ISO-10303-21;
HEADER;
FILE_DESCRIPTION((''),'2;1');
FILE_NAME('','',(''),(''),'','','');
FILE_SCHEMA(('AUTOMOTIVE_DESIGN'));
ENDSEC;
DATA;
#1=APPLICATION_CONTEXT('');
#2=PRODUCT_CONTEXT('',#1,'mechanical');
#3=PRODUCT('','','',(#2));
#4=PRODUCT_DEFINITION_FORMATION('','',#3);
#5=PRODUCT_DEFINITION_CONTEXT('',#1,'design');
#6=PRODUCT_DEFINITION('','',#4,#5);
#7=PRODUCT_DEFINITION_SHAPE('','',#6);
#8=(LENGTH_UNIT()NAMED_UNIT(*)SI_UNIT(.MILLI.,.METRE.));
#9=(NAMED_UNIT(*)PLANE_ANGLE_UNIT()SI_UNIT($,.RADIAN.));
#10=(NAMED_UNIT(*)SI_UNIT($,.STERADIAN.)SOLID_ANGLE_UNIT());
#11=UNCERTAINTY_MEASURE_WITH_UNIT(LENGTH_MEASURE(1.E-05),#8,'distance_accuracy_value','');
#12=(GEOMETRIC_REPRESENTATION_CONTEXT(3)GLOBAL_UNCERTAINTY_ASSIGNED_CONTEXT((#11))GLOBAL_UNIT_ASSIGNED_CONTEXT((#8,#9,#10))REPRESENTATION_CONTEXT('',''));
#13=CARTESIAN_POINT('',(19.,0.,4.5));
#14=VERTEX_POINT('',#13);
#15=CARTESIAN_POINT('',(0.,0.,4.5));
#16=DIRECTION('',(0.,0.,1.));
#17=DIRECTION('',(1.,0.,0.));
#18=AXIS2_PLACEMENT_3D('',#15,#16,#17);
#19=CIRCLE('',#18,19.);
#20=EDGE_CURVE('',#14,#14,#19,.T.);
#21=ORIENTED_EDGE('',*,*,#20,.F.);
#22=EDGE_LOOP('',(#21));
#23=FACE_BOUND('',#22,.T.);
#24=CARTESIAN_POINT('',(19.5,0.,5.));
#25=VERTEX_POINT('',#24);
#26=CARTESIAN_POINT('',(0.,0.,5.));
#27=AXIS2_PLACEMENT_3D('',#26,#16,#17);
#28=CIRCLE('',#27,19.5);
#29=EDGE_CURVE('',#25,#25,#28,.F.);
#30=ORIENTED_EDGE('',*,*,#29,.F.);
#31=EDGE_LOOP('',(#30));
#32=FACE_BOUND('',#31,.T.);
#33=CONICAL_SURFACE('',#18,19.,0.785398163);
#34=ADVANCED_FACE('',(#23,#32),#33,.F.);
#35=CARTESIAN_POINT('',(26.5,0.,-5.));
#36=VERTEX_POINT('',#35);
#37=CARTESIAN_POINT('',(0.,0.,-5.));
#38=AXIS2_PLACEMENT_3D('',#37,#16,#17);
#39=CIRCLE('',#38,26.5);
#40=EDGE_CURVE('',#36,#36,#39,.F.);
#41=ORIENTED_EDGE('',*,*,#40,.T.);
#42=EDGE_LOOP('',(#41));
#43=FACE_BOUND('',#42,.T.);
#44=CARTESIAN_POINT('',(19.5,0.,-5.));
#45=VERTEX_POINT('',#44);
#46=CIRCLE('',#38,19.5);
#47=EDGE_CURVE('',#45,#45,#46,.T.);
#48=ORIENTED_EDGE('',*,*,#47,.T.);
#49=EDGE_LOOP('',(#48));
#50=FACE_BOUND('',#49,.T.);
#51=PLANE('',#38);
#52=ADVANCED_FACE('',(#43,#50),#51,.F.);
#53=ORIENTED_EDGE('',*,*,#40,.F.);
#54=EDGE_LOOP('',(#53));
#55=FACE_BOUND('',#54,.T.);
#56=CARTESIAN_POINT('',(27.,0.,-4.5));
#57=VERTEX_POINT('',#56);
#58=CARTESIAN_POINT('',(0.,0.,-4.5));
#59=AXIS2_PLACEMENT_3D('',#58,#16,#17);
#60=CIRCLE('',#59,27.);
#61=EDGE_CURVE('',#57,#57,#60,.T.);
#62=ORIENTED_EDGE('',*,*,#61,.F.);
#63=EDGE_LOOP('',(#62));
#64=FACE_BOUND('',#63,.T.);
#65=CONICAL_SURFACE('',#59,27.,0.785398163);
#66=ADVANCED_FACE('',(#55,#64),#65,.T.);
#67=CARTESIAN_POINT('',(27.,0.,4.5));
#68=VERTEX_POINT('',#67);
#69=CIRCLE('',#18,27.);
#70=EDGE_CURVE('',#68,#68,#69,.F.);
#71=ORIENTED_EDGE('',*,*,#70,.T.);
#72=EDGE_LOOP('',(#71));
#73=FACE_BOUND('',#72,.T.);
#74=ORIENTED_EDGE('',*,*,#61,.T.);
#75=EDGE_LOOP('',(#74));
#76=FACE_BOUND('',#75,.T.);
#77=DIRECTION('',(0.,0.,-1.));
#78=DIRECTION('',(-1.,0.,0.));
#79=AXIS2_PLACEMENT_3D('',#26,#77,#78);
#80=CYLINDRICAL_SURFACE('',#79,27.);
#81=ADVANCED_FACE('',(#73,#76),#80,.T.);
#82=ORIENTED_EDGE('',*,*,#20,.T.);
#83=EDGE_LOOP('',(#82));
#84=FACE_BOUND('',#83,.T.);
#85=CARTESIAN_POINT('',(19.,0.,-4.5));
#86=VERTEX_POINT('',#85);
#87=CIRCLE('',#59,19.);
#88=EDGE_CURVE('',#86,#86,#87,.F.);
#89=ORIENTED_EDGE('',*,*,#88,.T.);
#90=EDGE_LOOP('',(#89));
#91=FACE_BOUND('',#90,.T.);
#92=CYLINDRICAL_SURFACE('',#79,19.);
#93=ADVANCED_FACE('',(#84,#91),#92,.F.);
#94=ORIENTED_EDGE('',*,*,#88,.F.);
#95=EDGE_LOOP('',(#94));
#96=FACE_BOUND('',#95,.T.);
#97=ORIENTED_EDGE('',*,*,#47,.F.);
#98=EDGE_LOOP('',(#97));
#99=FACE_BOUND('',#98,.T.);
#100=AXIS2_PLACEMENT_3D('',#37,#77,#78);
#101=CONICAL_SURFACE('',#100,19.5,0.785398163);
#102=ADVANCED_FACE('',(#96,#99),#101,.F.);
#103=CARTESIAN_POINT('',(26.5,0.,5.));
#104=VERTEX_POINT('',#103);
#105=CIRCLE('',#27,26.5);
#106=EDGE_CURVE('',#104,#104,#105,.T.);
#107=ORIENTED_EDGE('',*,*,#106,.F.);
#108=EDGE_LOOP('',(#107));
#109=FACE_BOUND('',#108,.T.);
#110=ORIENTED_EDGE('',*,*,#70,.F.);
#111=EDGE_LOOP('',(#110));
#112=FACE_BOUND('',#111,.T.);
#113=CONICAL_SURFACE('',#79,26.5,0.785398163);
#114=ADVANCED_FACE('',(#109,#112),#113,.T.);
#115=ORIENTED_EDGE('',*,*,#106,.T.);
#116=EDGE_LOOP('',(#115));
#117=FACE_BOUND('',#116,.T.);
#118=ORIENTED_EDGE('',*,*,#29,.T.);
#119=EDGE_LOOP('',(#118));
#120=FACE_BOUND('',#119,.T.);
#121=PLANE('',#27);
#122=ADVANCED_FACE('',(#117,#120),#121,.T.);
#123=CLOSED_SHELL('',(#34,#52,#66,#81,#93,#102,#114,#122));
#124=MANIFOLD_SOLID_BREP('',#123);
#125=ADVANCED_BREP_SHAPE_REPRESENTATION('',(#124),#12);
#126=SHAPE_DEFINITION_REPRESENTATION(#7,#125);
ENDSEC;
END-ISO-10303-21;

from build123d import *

# Parameters (mm, degrees)
SKIZZE1_R                       = 27
SKIZZE1_R_2                     = 19
AUFSATZ_LINEAR_AUSTRAGEN1_DEPTH = 5
FASE1_SIZE                      = 0.5


with BuildPart() as part:
    # Skizze1 → Aufsatz-Linear austragen1 (new, symmetric)
    with BuildSketch(Plane.XY):
        Circle(SKIZZE1_R)
        Circle(SKIZZE1_R_2, mode=Mode.SUBTRACT)
    extrude(amount=AUFSATZ_LINEAR_AUSTRAGEN1_DEPTH, both=True)

    # Fase1
    fase1_edges = [part.edges().sort_by_distance(p)[0] for p in [
        (-27, 0, -5),
        (-27, 0, 5),
        (-19, 0, -5),
        (-19, 0, 5),
    ]]
    chamfer(fase1_edges, length=FASE1_SIZE)


solid = part.part
